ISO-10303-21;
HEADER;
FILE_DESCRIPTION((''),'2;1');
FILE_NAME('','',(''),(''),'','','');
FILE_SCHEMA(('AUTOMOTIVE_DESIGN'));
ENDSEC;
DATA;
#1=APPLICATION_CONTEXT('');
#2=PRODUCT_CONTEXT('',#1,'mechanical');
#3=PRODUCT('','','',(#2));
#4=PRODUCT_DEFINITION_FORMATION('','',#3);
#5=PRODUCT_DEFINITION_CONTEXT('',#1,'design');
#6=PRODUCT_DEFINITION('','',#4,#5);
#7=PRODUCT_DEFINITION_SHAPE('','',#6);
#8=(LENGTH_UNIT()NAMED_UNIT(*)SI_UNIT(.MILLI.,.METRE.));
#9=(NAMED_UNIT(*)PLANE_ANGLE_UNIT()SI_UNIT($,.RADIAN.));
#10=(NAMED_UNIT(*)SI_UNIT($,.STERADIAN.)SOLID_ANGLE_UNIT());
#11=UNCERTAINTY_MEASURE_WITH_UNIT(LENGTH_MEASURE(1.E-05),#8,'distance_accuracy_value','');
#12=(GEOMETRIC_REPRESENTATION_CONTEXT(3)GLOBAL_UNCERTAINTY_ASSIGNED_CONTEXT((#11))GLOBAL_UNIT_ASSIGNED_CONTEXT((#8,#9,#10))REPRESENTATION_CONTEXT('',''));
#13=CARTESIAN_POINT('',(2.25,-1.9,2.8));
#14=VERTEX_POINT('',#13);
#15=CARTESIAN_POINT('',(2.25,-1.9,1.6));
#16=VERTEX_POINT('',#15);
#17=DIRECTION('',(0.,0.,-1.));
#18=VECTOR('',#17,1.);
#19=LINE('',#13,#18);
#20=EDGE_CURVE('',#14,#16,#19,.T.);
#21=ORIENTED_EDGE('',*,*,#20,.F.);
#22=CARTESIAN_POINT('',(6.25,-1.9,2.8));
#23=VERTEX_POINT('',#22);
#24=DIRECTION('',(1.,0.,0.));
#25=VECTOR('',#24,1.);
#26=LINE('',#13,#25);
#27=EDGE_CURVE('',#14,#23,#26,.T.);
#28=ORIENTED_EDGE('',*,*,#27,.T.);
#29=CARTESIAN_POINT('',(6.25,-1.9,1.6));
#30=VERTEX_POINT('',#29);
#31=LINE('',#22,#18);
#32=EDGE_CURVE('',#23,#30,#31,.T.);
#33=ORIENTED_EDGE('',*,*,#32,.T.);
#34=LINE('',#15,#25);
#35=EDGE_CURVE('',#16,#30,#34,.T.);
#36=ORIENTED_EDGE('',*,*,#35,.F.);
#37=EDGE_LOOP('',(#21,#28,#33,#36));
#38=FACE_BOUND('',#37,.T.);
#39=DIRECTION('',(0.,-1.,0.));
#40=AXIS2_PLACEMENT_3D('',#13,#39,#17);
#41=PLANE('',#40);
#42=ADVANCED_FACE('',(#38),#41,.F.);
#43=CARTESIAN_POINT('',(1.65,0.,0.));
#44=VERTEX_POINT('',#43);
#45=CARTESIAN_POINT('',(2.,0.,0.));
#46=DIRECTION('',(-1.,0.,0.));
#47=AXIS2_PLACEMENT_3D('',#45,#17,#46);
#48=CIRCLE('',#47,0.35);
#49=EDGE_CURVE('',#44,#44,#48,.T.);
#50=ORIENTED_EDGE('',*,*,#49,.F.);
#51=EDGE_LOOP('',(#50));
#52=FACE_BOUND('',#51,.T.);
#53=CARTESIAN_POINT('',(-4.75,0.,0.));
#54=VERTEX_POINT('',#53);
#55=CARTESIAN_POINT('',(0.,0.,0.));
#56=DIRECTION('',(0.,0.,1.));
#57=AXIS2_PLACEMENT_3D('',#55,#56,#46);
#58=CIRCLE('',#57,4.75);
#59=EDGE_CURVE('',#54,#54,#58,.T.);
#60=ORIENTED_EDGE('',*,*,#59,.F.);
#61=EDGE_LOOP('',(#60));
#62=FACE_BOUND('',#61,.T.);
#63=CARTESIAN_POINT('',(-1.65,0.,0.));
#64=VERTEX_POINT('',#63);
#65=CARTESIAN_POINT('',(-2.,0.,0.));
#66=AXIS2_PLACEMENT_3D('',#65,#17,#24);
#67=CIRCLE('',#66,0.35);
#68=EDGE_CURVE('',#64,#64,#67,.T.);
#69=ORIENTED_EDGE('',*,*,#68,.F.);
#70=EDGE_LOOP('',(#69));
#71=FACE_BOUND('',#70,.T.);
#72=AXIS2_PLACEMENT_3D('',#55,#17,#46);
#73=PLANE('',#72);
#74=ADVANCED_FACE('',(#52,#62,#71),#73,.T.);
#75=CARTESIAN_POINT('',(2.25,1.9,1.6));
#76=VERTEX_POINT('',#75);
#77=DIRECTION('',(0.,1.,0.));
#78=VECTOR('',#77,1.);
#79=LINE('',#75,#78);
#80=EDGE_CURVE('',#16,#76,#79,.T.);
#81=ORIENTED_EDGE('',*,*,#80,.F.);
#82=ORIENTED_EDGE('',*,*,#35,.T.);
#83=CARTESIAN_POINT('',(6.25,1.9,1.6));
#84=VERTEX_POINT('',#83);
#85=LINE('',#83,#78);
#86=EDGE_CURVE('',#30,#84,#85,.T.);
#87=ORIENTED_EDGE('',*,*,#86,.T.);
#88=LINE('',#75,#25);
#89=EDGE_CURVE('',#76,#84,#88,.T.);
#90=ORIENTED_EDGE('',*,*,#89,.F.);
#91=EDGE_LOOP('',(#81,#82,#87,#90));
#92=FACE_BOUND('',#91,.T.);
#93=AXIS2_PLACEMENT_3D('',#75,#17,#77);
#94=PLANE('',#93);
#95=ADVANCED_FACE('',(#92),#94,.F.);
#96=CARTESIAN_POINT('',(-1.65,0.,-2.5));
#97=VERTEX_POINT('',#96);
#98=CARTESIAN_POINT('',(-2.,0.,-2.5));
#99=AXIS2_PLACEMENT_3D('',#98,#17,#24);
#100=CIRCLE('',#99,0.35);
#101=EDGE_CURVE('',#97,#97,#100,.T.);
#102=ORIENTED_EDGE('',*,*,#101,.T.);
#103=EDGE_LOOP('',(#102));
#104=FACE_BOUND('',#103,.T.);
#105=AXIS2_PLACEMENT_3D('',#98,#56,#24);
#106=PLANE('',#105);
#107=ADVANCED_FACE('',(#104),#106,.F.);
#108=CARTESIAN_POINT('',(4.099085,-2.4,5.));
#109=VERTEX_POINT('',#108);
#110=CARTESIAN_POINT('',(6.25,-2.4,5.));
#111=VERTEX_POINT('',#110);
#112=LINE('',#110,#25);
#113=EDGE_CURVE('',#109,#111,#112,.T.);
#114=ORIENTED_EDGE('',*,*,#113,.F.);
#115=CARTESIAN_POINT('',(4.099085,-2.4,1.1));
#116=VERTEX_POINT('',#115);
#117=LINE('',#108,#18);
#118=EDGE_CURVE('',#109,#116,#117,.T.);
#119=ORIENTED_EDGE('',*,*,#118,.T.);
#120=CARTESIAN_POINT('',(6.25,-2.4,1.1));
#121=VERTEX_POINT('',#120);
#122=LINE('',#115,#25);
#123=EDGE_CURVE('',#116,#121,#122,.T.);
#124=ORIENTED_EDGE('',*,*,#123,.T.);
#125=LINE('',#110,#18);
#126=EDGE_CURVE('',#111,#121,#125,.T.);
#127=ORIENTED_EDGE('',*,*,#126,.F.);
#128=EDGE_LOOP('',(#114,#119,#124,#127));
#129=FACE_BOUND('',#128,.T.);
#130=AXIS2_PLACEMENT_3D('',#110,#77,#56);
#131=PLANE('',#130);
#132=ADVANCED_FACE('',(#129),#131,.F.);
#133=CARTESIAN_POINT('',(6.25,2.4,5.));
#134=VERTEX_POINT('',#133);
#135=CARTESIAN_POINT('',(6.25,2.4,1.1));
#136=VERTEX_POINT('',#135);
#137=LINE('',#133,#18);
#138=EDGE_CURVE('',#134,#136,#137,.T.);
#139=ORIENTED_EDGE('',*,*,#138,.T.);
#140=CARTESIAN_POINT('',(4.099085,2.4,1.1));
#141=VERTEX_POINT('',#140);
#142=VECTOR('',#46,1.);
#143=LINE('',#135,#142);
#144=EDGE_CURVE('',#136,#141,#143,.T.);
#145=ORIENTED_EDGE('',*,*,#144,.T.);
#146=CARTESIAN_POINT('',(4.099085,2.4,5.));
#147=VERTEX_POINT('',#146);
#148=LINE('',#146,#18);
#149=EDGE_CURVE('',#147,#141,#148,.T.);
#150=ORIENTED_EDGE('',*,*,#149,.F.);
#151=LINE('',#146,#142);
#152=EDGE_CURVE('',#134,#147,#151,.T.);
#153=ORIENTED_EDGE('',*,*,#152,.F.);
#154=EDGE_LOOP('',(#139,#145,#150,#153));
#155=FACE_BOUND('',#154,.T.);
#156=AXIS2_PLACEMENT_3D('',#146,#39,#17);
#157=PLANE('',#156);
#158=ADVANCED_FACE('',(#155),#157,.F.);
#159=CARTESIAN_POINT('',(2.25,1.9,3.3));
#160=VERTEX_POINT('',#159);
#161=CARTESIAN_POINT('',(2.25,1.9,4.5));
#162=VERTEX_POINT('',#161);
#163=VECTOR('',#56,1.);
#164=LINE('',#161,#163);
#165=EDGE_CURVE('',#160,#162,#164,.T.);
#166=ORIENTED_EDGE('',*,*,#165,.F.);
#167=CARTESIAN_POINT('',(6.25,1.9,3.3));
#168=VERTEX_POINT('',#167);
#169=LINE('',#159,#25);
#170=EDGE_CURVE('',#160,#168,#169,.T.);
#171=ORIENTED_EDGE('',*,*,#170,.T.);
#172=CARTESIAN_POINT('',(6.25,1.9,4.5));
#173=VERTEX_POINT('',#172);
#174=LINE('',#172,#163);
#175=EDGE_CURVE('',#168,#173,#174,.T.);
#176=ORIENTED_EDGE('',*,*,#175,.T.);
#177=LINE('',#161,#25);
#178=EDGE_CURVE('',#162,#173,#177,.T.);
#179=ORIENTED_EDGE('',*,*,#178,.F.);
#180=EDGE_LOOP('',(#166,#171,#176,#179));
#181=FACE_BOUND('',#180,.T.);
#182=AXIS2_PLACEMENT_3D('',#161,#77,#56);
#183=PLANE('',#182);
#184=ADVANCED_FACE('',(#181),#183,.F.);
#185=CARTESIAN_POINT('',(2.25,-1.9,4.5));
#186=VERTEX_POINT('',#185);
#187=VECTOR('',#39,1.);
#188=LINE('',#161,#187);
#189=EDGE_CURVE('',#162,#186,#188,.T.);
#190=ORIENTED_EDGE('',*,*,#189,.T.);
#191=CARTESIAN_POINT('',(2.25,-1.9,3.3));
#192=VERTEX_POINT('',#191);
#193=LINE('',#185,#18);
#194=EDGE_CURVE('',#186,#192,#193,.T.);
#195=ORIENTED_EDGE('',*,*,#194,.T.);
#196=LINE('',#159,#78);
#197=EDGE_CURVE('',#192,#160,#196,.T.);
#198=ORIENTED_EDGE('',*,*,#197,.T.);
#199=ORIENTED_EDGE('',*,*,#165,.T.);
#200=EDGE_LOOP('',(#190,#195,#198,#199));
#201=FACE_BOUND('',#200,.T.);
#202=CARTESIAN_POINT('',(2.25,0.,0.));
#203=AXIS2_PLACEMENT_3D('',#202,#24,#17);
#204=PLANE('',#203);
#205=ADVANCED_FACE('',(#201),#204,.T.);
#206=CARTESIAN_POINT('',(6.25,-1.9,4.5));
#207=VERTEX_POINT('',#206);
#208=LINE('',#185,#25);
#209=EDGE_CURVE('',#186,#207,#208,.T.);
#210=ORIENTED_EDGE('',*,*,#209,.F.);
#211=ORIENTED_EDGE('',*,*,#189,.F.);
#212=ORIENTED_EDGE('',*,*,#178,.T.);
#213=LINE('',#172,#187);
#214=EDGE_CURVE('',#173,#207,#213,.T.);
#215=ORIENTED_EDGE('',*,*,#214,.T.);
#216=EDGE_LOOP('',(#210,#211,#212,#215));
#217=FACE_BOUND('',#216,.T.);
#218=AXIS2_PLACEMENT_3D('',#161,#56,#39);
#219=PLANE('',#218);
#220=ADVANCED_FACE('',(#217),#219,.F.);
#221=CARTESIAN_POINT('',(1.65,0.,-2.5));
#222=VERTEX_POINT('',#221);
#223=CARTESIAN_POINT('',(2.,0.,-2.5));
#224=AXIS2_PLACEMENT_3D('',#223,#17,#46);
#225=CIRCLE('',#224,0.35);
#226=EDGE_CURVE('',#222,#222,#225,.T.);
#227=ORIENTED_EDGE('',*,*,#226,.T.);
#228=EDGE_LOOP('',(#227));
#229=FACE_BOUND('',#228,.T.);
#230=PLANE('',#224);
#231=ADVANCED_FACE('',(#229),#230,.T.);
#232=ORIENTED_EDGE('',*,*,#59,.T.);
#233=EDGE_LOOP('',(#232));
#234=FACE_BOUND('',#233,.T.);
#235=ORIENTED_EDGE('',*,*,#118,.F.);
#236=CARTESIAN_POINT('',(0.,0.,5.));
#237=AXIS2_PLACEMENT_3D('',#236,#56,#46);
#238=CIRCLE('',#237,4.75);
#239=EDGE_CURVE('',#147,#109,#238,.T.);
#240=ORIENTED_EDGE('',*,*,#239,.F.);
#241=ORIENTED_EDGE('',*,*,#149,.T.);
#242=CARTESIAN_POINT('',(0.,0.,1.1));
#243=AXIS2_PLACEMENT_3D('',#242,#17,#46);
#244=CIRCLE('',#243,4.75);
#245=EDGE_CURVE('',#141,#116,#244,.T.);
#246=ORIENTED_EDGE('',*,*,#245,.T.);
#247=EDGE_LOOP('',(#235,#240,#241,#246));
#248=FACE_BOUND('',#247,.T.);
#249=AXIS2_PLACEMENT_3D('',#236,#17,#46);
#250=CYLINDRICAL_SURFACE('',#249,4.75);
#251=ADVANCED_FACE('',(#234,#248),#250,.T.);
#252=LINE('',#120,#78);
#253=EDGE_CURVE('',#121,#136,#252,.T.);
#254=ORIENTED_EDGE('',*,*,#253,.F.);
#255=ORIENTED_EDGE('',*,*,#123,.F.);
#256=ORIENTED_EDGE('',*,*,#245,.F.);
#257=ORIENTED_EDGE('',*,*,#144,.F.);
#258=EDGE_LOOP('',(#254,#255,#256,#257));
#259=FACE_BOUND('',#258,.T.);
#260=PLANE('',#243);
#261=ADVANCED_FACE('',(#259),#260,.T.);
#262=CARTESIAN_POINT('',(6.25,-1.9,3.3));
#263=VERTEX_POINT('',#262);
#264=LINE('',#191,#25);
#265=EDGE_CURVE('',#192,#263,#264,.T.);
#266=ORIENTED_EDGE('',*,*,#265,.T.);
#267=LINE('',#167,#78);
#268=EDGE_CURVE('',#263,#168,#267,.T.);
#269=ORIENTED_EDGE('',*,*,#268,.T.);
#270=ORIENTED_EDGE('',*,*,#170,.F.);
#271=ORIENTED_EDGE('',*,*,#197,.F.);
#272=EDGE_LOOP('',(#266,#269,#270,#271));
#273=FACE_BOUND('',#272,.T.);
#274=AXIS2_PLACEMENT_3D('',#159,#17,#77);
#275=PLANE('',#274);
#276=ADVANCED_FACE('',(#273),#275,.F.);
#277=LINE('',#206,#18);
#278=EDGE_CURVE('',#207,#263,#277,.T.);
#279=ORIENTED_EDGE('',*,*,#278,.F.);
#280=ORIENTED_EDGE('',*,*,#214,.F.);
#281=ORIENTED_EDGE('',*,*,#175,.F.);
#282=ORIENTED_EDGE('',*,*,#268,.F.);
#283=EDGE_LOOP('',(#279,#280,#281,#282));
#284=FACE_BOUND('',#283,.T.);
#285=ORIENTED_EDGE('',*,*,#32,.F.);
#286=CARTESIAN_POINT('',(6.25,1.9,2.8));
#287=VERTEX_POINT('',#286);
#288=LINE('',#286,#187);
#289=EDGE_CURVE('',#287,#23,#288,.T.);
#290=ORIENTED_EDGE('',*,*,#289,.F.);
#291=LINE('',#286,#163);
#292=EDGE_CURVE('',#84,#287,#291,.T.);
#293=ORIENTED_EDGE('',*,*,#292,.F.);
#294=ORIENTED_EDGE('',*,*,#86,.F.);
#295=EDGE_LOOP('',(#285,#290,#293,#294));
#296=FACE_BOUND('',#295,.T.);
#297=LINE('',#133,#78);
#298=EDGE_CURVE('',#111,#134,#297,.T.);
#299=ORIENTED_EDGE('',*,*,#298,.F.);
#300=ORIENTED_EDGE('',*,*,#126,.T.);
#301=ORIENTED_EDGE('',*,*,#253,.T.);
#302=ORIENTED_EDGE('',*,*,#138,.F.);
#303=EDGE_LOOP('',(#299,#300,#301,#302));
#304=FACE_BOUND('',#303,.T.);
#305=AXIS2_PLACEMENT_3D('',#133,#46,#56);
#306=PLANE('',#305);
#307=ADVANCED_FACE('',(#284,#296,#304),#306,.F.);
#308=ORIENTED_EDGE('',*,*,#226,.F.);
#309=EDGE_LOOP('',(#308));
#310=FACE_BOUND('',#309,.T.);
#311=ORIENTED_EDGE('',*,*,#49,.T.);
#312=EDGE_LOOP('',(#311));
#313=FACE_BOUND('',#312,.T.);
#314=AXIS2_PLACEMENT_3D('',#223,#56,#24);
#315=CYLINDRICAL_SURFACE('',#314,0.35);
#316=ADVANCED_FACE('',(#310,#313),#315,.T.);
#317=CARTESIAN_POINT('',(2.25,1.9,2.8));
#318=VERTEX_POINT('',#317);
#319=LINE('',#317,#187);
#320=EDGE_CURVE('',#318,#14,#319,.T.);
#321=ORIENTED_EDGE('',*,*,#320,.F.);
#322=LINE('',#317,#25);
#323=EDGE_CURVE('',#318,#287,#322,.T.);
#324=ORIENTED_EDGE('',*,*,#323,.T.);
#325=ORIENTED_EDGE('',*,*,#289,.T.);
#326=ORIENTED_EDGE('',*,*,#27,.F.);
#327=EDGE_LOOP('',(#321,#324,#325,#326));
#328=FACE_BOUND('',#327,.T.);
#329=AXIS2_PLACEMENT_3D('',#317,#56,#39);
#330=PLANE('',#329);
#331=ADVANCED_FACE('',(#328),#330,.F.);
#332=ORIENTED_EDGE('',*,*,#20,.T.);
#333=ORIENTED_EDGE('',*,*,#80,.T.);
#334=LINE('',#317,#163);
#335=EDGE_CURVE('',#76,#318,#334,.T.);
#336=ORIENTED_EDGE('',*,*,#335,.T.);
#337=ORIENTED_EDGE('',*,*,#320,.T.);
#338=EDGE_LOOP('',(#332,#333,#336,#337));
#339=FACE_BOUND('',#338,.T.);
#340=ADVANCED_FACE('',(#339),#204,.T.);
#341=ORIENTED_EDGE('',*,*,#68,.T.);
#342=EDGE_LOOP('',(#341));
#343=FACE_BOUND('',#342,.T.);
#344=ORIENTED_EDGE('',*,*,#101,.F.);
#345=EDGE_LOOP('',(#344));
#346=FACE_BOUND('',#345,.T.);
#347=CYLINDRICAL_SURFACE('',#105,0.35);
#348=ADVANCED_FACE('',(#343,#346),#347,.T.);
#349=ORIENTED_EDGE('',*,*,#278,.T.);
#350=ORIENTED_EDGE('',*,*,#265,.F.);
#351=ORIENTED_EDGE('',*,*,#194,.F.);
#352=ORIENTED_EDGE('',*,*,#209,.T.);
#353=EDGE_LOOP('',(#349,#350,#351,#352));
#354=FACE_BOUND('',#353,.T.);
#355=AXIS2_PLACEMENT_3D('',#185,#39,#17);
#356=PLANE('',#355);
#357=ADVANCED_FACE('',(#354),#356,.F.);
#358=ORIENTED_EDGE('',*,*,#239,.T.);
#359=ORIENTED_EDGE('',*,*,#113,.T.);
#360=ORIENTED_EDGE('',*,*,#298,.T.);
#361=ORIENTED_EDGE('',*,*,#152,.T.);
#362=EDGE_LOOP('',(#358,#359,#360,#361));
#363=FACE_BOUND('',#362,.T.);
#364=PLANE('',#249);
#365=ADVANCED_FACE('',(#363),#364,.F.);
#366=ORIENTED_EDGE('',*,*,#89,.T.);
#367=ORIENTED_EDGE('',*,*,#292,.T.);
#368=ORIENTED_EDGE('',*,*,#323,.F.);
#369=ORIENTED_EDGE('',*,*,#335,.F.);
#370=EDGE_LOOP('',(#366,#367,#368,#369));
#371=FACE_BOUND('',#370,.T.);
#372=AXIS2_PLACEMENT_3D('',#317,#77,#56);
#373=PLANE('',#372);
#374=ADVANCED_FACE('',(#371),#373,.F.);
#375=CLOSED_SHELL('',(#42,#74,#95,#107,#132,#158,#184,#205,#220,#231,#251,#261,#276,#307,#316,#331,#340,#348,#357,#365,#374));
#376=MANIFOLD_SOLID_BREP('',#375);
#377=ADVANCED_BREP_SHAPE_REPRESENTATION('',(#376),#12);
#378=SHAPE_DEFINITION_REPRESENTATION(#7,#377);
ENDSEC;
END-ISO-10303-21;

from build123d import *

# Parameters (mm, degrees)
BOSS_EXTRUDE1_DEPTH = 5
CUT_EXTRUDE1_DEPTH  = 1.1
SKETCH3_W           = 1.2
SKETCH3_H           = 3.8
CUT_EXTRUDE2_DEPTH  = 4
SKETCH4_R           = 0.35
BOSS_EXTRUDE2_DEPTH = 2.5


with BuildPart() as part:
    # Sketch1 → Boss-Extrude1 (new body)
    with BuildSketch(Plane.XY):
        with BuildLine():
            Line((4.099085264, 2.4), (6.25, 2.4))
            Line((6.25, 2.4), (6.25, -2.4))
            Line((6.25, -2.4), (4.099085264, -2.4))
            ThreePointArc((4.099085264, -2.4), (-4.75, 0), (4.099085264, 2.4))
        make_face()
    extrude(amount=BOSS_EXTRUDE1_DEPTH)

    # Sketch2 → Cut-Extrude1 (cut)
    with BuildSketch(Plane(origin=(0, 0, 0), x_dir=(-1, 0, 0), z_dir=(0, 0, -1))):
        with BuildLine():
            Line((-4.099085264, -2.4), (-6.25, -2.4))
            Line((-6.25, -2.4), (-6.25, 2.4))
            Line((-6.25, 2.4), (-4.099085264, 2.4))
            ThreePointArc((-4.099085264, 2.4), (-4.75, 0), (-4.099085264, -2.4))
        make_face()
    extrude(amount=-CUT_EXTRUDE1_DEPTH, mode=Mode.SUBTRACT)

    # Sketch3 → Cut-Extrude2 (cut)
    with BuildSketch(Plane(origin=(6.25, 0, 0), x_dir=(0, 0, -1), z_dir=(1, 0, 0))):
        with Locations((-3.9, 0)):
            Rectangle(SKETCH3_W, SKETCH3_H)
        with Locations((-2.2, 0)):
            Rectangle(SKETCH3_W, SKETCH3_H)
    extrude(amount=-CUT_EXTRUDE2_DEPTH, mode=Mode.SUBTRACT)

    # Sketch4 → Boss-Extrude2 (add)
    with BuildSketch(Plane(origin=(0, 0, 0), x_dir=(-1, 0, 0), z_dir=(0, 0, -1))):
        with Locations((-2, 0)):
            Circle(SKETCH4_R)
        with Locations(Location((2, 0, 0), (0, 0, 180))):
            Circle(SKETCH4_R)
    extrude(amount=BOSS_EXTRUDE2_DEPTH)


solid = part.part
